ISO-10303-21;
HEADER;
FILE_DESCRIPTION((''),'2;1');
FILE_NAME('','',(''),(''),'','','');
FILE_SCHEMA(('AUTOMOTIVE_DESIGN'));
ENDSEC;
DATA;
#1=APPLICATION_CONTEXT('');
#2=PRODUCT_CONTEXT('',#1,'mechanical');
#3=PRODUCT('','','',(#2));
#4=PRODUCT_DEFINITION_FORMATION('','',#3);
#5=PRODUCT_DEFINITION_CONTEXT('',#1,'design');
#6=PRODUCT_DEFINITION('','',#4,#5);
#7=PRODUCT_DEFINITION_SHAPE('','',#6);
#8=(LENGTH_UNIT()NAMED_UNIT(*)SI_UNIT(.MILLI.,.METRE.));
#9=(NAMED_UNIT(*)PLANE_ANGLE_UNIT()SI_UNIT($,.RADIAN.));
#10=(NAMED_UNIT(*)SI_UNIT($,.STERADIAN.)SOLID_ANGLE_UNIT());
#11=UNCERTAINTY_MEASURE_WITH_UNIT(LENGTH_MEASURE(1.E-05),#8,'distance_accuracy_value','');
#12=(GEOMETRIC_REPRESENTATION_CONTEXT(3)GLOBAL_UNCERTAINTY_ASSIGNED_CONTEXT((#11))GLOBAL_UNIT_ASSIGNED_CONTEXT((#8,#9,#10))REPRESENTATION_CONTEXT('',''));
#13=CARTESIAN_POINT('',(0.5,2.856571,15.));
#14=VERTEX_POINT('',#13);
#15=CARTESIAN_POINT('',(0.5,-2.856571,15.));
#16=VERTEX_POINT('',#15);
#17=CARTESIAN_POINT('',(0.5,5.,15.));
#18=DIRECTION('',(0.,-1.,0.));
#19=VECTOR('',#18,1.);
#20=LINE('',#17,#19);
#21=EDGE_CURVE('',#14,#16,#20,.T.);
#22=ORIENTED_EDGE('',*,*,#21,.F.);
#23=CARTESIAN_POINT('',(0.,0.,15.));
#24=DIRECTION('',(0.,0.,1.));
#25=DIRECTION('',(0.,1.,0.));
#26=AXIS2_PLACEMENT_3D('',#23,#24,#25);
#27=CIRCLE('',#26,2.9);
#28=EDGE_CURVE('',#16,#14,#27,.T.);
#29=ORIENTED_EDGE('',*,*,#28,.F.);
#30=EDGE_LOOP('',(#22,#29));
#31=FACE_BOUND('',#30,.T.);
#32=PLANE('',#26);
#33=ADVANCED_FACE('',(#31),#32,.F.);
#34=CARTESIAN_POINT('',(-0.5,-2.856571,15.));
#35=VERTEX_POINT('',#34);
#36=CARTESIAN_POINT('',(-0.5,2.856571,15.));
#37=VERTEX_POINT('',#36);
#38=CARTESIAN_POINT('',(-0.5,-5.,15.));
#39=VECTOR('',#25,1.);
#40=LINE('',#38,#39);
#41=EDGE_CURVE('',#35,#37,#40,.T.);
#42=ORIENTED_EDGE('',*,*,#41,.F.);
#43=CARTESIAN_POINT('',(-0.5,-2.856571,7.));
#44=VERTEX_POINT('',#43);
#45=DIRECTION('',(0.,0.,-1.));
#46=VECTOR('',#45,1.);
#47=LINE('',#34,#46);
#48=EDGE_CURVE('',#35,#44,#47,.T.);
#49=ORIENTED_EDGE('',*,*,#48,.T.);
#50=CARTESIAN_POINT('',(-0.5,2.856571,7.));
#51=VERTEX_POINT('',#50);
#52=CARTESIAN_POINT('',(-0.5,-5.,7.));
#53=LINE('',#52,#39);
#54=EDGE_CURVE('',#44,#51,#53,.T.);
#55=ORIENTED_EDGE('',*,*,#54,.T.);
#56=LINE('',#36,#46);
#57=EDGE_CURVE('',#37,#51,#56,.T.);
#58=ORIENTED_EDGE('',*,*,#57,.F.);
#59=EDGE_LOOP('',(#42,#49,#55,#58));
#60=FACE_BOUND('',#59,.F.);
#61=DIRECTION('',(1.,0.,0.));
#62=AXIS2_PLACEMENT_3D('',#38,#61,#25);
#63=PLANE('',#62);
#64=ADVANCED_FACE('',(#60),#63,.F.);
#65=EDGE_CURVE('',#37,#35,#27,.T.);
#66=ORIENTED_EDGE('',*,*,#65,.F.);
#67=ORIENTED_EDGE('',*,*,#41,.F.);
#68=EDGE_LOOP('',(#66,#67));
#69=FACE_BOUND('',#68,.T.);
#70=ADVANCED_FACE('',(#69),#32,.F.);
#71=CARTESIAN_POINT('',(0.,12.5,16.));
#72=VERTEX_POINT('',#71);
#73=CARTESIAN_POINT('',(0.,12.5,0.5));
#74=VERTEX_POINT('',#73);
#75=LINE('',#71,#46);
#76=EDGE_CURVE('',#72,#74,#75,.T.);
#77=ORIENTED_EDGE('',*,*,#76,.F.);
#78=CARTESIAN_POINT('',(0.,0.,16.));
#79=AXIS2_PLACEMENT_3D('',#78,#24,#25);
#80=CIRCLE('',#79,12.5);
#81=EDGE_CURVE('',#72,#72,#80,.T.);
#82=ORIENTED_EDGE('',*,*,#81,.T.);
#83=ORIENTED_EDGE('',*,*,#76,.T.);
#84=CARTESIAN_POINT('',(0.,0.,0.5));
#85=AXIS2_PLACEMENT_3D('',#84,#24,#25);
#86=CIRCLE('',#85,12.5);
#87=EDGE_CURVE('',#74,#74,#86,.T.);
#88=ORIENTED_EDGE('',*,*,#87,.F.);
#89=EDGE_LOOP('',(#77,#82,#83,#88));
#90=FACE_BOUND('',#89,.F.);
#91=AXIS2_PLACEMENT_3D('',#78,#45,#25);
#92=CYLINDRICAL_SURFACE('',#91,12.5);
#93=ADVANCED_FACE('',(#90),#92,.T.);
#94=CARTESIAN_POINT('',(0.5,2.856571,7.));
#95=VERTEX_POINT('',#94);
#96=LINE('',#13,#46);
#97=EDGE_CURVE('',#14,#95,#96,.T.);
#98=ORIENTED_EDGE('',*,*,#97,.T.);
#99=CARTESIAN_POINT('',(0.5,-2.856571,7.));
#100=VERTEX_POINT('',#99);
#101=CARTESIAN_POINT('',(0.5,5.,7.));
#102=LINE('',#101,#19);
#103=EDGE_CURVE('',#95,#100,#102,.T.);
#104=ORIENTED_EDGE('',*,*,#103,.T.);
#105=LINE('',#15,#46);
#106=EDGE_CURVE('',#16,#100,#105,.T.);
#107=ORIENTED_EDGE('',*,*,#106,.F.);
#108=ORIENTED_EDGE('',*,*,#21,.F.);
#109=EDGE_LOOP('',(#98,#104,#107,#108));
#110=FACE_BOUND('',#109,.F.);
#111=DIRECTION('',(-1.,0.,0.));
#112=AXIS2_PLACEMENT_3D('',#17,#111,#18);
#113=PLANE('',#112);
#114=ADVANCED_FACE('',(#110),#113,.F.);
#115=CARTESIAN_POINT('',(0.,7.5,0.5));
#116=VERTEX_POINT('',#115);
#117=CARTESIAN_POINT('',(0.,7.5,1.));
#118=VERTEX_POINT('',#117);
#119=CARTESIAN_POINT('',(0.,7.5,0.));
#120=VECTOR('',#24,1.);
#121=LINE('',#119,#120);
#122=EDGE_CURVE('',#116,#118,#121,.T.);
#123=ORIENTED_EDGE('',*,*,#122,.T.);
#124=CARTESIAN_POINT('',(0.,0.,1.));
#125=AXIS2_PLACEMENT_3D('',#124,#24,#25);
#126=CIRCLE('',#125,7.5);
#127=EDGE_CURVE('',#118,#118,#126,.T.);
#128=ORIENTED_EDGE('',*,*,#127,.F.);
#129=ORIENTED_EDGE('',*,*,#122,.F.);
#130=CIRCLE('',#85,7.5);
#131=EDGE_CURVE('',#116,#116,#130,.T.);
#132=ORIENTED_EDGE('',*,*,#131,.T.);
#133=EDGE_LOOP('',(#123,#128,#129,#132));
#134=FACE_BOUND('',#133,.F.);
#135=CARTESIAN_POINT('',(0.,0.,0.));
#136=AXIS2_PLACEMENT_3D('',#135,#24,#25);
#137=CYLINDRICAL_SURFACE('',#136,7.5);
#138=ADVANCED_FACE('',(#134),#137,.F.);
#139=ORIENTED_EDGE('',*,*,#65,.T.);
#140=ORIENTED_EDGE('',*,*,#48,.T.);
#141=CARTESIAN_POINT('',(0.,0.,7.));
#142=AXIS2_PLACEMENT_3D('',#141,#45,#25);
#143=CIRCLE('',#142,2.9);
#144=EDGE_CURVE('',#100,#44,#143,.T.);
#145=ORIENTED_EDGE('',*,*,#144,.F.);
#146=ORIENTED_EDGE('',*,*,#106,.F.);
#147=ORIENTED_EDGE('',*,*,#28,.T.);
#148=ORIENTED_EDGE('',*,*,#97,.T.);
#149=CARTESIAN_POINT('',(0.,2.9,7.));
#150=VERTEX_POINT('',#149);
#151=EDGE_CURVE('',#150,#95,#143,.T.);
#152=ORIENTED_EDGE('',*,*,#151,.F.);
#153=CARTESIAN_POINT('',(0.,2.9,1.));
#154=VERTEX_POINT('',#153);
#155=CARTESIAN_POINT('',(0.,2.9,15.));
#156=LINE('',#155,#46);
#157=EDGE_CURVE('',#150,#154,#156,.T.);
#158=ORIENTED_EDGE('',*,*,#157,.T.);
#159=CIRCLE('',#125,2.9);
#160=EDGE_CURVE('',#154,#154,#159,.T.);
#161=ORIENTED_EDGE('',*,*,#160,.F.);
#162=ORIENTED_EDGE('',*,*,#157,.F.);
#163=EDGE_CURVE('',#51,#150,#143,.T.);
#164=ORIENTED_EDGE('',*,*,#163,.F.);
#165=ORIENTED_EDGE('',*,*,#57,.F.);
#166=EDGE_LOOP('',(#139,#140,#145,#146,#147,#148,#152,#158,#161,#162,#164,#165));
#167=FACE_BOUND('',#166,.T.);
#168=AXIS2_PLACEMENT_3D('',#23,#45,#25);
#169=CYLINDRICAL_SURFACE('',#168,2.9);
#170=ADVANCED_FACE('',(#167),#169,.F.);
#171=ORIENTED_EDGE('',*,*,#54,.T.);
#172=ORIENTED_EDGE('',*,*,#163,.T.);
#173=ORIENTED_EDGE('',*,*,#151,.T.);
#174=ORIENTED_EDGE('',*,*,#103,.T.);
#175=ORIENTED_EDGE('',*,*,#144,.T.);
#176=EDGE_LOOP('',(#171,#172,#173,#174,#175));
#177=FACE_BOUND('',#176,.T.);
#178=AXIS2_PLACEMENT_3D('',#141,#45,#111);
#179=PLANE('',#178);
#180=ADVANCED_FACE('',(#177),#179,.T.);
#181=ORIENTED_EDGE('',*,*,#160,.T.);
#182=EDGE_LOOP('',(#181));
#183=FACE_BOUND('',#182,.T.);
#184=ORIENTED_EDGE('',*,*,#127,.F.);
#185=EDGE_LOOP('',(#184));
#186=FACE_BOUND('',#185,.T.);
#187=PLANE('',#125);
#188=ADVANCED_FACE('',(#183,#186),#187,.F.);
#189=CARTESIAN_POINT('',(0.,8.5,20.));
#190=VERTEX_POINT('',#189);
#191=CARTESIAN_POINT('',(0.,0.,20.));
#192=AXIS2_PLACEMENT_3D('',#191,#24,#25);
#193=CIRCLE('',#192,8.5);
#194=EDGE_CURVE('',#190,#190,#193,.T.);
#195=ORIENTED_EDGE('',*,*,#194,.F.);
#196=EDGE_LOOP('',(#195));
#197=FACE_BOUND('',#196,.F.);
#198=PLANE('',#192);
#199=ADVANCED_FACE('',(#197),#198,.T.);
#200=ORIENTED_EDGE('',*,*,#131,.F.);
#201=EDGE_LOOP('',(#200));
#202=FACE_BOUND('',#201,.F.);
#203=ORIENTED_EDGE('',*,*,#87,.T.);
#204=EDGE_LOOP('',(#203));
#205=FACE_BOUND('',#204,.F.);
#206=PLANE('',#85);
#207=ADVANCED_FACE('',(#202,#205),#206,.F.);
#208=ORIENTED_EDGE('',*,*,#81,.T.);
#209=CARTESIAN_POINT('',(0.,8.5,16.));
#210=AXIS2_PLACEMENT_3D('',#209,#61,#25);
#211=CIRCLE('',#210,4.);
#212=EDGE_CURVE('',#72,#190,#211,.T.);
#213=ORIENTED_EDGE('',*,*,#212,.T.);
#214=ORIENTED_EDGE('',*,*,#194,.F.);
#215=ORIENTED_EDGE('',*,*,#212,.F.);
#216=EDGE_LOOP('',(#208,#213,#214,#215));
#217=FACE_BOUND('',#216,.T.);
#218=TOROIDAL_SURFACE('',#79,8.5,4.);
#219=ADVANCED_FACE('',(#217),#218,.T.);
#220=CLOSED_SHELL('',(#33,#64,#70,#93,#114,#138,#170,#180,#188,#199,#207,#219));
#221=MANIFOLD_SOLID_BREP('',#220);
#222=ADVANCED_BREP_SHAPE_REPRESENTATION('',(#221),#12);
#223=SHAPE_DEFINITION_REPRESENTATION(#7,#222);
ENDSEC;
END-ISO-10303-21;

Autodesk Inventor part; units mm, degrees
ref_plane "YZ Plane" through (0, 0, 0) normal (1, 0, 0) x (0, 1, 0)
ref_plane "XZ Plane" through (0, 0, 0) normal (0, 1, 0) x (-1, 0, 0)
ref_plane "XY Plane" through (0, 0, 0) normal (0, 0, 1) x (1, 0, 0)
sketch "Sketch1" plane through (0, 0, 0) normal (1, 0, 0) x (0, 1, 0)
  line L0 (12.5, 0) -> (-12.5, 0) projected
  line L1 (12.5, 0) -> (7.5, 0)
  line L2 (7.5, 0) -> (7.5, 20)
  line L3 (7.5, 20) -> (8.5, 20)
  line L4 (12.5, 16) -> (12.5, 0)
  line L5 (12.5, 20) -> (0, 20)
  line L6 (0, 20) -> (0, 15)
  line L7 (0, 15) -> (12.5, 15)
  line L8 (12.5, 15) -> (12.5, 20)
  arc A0 (12.5, 16) -> (8.5, 20) centre (8.5, 16) ccw
  line L9 (0, 15) -> (2.9, 15)
  line L10 (2.9, 15) -> (2.9, 1)
  line L11 (2.9, 1) -> (7.5, 1)
  line L12 (12.5, 0) -> (12.5, 0.5)
  line L13 (12.5, 0.5) -> (7.5, 0.5)
  line L14 (0, 15) -> (0.5, 15)
  line L15 (0.5, 15) -> (0.5, 7)
  line L16 (0.5, 7) -> (0, 7)
  line L17 (0, 7) -> (0, 15)
  point P0 (0, 0)
  dimension "d0" = 5
  dimension "d1" = 20
  dimension "d2" = 5
  dimension "d3" = 4
  dimension "d5" = 14
  dimension "d6" = 0.5
  dimension "d7" = 0.5
  dimension "d8" = 8
revolve "Revolution1" add sketch "Sketch1" angle 360 about axis through (0, 0, 7) along (0, 0, 1) contours L13 L2 L7 L4 | L7 L2 L3 A0 L4 | L11 L10 L7 L2 | L7 L6 L5 L2
sketch "Sketch2" plane through (0, 0, 15) normal (0, 0, -1) x (-1, 0, 0)
  line L0 (0.5, 5) -> (-0.5, 5)
  line L1 (-0.5, 5) -> (-0.5, -5)
  line L2 (-0.5, -5) -> (0.5, -5)
  line L3 (0.5, -5) -> (0.5, 5)
  line L4 (0.5, 5) -> (-0.5, -5) construction
  line L5 (-0.5, 5) -> (0.5, -5) construction
  point P0 (0, 0)
  dimension "d10" = 1
  dimension "d11" = 10
extrude "Extrusion1" add sketch "Sketch2" along normal blind 8
properties part number "Brightness"
